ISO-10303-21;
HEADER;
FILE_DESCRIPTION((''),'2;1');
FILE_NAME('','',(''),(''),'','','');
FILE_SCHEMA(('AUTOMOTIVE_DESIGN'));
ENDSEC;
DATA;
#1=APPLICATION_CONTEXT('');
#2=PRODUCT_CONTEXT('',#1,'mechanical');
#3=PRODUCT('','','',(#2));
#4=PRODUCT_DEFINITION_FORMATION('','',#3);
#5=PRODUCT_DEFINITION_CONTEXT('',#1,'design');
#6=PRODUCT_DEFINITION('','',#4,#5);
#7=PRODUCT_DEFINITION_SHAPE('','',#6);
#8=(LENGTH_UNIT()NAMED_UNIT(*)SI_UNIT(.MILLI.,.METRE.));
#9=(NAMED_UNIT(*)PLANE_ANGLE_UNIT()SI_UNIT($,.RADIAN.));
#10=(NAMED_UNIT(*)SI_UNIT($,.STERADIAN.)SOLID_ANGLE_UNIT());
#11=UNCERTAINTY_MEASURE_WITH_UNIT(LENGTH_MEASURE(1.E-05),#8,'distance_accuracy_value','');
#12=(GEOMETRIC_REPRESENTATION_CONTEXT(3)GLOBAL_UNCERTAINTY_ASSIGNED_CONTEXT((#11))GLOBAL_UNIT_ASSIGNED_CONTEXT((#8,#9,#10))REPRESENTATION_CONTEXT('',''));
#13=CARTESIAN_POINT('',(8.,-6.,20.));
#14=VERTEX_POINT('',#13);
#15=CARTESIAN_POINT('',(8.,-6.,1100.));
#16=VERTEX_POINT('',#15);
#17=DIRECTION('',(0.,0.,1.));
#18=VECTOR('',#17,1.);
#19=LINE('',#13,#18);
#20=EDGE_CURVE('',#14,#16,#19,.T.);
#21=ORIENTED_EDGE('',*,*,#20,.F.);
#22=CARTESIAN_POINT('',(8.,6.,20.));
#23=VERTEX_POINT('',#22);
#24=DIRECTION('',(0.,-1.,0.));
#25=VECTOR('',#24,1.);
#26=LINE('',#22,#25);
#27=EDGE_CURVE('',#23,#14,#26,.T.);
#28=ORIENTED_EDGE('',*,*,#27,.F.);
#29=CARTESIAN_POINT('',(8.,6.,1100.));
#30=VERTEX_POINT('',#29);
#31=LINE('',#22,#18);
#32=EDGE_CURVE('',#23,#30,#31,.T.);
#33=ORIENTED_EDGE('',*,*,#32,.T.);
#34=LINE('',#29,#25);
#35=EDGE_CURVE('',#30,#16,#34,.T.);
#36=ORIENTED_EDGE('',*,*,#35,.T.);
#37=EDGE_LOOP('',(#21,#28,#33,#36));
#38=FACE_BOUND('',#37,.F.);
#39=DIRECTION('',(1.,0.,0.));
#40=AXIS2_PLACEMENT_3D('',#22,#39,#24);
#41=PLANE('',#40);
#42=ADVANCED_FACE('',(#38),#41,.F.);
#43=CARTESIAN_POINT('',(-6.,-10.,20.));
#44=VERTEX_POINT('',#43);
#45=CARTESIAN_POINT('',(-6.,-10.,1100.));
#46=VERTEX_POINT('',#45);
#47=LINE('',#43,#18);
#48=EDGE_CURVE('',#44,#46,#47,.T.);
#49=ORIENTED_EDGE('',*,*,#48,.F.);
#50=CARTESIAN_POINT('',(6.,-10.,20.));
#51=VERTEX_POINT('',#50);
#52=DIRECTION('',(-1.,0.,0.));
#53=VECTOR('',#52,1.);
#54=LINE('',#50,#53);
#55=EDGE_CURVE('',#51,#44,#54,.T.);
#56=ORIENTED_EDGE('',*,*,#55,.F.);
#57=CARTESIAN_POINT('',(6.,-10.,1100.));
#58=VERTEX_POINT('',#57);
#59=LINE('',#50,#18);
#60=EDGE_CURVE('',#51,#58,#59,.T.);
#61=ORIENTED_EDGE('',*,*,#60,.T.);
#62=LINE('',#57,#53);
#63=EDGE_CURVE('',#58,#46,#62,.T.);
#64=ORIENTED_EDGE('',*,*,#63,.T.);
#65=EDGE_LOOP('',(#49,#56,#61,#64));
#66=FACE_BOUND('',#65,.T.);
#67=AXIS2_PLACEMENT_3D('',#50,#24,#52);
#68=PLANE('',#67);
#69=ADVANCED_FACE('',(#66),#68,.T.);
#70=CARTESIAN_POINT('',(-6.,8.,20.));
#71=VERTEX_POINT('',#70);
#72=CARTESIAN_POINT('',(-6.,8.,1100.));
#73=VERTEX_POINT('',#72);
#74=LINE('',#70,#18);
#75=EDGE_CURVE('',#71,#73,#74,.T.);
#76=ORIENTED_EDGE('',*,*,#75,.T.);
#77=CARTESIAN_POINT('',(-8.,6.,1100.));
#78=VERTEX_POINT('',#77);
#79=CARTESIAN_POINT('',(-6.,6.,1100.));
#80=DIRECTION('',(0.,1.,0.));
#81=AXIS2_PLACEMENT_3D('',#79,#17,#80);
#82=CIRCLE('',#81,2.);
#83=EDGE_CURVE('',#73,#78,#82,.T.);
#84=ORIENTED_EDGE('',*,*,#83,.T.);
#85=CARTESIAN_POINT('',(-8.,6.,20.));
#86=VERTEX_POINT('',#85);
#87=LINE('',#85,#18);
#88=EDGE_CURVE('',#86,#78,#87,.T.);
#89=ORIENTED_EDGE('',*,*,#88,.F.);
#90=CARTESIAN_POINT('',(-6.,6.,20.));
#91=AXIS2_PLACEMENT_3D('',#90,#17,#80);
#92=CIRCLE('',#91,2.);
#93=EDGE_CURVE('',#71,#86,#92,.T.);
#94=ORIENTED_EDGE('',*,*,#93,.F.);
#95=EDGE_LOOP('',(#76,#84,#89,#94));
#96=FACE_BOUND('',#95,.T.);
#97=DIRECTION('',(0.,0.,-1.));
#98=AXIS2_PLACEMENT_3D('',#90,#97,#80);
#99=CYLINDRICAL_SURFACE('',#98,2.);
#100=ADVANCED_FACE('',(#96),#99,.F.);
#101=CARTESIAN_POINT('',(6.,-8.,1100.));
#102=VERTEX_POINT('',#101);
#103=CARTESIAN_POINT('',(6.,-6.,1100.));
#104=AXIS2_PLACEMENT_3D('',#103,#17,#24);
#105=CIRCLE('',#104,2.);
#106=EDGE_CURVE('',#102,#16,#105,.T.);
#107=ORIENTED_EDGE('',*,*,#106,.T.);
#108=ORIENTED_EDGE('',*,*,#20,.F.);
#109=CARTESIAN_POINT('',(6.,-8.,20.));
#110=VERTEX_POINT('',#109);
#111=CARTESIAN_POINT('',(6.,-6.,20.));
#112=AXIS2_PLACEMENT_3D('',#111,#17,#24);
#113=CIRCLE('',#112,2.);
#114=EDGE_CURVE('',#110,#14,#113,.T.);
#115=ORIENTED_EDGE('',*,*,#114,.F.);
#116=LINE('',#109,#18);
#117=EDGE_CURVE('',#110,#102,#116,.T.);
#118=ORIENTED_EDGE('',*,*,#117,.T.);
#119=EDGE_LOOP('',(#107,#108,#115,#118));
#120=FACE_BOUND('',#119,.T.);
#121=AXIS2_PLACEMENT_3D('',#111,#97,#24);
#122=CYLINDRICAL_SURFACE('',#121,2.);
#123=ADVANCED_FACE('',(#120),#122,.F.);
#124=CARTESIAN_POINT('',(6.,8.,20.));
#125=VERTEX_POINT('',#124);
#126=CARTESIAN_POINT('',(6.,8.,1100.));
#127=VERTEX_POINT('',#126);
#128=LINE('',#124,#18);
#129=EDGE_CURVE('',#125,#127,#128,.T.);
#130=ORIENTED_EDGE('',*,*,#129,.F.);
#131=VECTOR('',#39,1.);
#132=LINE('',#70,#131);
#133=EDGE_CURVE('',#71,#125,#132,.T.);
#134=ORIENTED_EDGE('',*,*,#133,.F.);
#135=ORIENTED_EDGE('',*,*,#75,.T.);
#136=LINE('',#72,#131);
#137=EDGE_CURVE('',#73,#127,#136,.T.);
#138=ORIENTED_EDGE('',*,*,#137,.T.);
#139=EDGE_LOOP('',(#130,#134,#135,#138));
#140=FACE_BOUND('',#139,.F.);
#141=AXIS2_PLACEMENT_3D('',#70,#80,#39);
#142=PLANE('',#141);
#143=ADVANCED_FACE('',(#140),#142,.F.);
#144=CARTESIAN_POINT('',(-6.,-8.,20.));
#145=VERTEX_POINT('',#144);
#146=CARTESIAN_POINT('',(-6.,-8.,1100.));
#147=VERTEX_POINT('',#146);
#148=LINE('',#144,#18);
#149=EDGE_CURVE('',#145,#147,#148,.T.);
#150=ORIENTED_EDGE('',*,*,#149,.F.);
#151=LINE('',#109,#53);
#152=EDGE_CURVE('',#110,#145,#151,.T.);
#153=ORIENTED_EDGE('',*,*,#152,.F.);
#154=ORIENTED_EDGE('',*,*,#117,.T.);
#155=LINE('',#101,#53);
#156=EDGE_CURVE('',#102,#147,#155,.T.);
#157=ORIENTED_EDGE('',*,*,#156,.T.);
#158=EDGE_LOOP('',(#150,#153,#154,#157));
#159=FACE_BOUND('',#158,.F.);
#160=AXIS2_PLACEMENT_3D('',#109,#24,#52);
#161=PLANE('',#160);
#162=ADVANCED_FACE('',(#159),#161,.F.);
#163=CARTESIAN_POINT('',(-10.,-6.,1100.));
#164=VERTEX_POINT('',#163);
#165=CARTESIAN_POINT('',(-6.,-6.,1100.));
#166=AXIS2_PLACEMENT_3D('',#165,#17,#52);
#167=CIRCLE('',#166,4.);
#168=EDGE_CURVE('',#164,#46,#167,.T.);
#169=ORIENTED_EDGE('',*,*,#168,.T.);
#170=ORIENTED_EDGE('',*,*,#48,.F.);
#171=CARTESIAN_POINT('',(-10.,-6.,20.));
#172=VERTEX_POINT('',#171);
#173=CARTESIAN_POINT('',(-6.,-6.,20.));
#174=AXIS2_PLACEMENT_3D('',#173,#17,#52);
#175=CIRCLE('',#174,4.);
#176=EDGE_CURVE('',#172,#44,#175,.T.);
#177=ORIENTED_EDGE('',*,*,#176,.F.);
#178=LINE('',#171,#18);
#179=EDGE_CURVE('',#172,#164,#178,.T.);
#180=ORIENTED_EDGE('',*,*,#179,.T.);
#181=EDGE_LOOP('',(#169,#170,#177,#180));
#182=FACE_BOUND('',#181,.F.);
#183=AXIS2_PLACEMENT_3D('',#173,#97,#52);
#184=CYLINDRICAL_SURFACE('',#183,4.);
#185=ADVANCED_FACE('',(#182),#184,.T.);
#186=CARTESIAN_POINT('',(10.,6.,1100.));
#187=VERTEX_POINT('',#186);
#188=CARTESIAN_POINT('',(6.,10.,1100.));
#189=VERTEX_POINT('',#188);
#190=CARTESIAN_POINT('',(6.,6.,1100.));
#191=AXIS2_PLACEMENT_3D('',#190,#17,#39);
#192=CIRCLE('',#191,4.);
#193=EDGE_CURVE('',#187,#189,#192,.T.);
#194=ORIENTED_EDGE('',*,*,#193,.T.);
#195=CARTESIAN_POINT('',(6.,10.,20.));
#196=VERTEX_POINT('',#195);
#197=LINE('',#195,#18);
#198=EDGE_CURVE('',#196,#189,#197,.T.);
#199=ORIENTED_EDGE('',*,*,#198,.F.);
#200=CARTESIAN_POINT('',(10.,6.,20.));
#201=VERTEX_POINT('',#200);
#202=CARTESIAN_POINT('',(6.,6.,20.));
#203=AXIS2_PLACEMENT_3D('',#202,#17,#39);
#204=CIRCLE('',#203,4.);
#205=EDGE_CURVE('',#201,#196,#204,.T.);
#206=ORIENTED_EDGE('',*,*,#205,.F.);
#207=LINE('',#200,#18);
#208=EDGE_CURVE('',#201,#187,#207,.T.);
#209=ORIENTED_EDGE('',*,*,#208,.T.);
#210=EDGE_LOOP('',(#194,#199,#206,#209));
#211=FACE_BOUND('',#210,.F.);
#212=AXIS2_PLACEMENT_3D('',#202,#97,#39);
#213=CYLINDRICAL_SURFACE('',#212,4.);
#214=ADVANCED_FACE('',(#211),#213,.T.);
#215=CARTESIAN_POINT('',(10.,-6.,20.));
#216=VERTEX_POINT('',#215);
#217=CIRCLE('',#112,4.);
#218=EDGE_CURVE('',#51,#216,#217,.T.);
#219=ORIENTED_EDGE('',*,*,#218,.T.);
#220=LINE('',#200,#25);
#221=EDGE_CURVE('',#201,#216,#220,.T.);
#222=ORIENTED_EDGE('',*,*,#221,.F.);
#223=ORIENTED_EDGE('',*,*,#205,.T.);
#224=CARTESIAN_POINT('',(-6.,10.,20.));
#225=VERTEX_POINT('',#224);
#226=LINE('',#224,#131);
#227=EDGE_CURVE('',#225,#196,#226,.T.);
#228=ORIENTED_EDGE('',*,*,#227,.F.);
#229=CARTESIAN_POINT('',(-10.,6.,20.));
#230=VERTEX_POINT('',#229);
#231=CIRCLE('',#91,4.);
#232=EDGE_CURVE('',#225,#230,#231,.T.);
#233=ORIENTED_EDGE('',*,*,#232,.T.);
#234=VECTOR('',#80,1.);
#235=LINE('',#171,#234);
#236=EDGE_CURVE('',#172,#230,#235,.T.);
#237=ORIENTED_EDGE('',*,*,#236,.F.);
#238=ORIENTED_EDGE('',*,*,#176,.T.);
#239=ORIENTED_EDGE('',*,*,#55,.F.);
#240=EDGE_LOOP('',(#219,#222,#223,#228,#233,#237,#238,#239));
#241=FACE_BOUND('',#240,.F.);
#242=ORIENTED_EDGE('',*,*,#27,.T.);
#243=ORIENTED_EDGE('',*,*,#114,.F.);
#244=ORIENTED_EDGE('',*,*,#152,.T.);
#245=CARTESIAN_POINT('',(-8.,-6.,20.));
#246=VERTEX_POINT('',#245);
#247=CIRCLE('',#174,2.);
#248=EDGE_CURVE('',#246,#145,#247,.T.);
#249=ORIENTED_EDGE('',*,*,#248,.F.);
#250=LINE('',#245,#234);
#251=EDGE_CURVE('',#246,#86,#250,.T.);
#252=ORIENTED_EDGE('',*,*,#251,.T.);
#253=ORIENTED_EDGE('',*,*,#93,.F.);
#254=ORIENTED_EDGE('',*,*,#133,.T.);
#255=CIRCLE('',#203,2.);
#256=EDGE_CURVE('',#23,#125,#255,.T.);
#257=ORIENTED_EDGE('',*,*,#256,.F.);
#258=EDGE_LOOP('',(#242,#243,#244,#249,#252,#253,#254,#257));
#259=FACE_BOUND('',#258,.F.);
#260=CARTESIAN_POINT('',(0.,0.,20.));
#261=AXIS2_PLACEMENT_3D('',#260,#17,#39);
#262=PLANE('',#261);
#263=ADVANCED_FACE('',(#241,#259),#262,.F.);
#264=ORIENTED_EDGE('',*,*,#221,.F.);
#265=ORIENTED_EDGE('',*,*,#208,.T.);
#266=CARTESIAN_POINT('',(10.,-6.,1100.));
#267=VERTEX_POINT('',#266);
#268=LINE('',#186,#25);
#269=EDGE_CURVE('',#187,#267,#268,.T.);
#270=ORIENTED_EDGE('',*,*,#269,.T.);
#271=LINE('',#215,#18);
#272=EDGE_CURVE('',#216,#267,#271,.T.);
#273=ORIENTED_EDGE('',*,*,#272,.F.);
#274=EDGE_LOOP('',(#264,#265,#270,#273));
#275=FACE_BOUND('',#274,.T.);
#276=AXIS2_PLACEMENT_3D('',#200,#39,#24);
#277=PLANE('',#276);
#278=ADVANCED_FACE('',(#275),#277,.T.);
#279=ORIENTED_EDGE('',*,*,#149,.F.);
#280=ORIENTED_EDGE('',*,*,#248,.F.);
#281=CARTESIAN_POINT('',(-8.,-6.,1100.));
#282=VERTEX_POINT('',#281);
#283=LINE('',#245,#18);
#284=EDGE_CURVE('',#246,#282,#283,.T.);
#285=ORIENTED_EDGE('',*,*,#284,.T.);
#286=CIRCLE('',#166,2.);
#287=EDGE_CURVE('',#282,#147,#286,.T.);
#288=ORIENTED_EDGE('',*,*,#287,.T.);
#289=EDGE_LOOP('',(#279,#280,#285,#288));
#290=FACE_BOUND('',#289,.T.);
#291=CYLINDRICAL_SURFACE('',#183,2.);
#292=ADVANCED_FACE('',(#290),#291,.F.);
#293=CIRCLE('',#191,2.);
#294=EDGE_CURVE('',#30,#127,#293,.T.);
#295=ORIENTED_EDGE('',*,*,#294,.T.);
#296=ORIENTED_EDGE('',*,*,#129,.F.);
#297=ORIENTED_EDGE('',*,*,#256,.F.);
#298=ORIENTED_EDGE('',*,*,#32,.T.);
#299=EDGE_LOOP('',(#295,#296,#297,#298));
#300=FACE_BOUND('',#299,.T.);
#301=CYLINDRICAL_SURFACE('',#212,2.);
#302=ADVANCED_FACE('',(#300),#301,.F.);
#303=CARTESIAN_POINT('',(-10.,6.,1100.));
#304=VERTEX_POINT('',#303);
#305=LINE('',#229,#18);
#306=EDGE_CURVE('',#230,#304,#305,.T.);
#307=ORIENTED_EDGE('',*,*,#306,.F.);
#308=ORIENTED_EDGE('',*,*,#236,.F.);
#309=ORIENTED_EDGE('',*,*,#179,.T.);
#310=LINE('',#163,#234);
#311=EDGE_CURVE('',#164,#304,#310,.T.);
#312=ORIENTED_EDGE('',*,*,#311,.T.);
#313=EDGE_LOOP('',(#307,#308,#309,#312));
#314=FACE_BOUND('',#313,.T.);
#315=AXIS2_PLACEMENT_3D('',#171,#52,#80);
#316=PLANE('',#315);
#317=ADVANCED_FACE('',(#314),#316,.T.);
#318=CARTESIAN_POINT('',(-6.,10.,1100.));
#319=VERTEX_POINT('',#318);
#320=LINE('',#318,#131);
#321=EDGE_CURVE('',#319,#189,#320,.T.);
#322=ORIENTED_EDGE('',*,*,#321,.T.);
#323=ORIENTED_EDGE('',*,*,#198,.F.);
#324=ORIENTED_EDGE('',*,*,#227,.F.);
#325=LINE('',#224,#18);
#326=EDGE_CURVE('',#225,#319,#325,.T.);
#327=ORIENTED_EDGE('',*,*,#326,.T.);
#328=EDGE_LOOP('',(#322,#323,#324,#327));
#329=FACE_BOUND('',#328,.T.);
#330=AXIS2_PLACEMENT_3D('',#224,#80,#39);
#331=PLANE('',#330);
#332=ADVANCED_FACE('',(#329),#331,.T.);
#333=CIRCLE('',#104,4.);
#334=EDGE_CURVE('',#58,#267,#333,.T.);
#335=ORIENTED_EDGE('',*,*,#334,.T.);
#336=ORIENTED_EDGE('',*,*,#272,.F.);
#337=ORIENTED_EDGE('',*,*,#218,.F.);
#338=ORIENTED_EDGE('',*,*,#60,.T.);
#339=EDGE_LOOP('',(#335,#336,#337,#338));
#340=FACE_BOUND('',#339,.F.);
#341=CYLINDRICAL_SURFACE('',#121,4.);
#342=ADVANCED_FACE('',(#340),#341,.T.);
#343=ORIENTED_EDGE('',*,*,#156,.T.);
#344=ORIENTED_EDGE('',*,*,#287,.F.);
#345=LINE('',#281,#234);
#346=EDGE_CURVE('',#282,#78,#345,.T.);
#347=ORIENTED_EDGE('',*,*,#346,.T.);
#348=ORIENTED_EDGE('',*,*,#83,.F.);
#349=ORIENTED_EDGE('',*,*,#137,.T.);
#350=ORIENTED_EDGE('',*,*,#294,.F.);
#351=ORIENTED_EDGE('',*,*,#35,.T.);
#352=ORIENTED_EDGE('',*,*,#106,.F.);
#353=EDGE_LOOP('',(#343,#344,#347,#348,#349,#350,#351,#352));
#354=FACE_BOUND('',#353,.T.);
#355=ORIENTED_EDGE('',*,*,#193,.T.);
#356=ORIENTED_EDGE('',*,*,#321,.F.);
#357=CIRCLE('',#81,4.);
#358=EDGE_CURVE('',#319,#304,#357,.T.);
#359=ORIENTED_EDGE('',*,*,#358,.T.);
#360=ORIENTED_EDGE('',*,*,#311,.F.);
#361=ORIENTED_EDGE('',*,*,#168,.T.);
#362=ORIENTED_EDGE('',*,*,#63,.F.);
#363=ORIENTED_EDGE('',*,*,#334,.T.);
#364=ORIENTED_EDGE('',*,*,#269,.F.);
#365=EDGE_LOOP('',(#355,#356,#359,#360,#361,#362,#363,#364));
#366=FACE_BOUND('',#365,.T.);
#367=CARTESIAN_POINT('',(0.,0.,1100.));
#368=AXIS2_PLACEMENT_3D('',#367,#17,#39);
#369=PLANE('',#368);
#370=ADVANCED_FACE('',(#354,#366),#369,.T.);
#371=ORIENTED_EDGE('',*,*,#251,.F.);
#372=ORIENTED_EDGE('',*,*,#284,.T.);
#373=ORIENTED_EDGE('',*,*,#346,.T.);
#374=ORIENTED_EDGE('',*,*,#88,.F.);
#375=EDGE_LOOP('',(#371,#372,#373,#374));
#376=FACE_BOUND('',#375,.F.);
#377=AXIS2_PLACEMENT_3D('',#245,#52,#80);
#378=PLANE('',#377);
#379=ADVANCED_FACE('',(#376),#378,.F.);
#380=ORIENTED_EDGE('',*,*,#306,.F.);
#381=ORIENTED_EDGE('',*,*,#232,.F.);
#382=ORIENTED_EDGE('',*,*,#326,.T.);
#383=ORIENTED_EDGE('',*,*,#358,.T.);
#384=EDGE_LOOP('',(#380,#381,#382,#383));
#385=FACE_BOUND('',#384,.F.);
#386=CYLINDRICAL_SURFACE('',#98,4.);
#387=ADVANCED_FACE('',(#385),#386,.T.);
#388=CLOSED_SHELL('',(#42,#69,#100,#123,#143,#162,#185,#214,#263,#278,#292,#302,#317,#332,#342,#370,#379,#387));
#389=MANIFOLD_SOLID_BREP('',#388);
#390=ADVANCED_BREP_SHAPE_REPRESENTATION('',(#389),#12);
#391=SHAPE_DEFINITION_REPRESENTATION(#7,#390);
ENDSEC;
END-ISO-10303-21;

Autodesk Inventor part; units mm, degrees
ref_plane "Start plane" through (0, 0, 20) normal (0, 0, 1) x (1, 0, 0)
ref_plane "End plane" through (0, 0, 1100) normal (0, 0, 1) x (1, 0, 0)
sketch "Sketch" plane through (0, 0, 0) normal (0, 0, 1) x (1, 0, 0)
  line L0 (-10, -6) -> (-10, 6)
  line L1 (-6, 10) -> (6, 10)
  line L2 (10, 6) -> (10, -6)
  line L3 (6, -10) -> (-6, -10)
  arc A0 (-10, -6) -> (-6, -10) centre (-6, -6) ccw
  arc A1 (10, 6) -> (6, 10) centre (6, 6) ccw
  arc A2 (-6, 10) -> (-10, 6) centre (-6, 6) ccw
  arc A3 (6, -10) -> (10, -6) centre (6, -6) ccw
  arc A4 (-6, 8) -> (-8, 6) centre (-6, 6) ccw
  line L4 (-6, 8) -> (6, 8)
  arc A5 (8, 6) -> (6, 8) centre (6, 6) ccw
  line L5 (8, 6) -> (8, -6)
  arc A6 (6, -8) -> (8, -6) centre (6, -6) ccw
  line L6 (6, -8) -> (-6, -8)
  arc A7 (-8, -6) -> (-6, -8) centre (-6, -6) ccw
  line L7 (-8, -6) -> (-8, 6)
  line L8 (0, 15.1598) -> (0, -15.1598) construction
  line L9 (-15.1598, 0) -> (15.1598, 0) construction
  dimension "d7" = 4
  dimension "d9" = 20
  dimension "d11" = 20
  dimension "d12" = 2
  dimension "d15" = 10
  dimension "d16" = 10
extrude "Body" add sketch "Sketch" along normal up to surface (1080 mm away) from surface at 20
sketch "Sketch3" plane through (0, 0, 0) normal (0, 0, 1) x (1, 0, 0)
  line L0 (0, 0) -> (10, 0)
ref_plane "Work Plane3" through (0, 0, 0) normal (0, -1, 0) x (1, 0, 0)
sketch "Sketch4" plane through (0, 0, 0) normal (0, -1, 0) x (1, 0, 0)
  line L0 (-2, 20) -> (12, 20)
  line L1 (-2, 1100) -> (12, 1100)
  dimension "d18" = 1080
ref_plane "Work Plane4" through (290, 0, 20) normal (0, 0, -1) x (-1, 0, 0)
split "Split1" plane through (290, 0, 20) removes the side toward (0, 0, -1)
equation "\"d7\" = G_IR"
equation "\"d9\" = G_W"
equation "\"d11\" = G_H"
equation "\"d12\" = G_T"
equation "\"d15\" = 0.5 * d9"
equation "\"d16\" = 0.5 * d11"
equation "\"d3\" = G_L"
equation "\"G_W\" = 20"
equation "\"G_H\" = 20"
equation "\"G_T\" = 2"
equation "\"G_IR\" = 4"
equation "\"G_L\" = d18"
equation "\"G_OFFSET_END\" = 0"
properties part number "ISO 4019 - 20x20x2 - 1080" material "Steel, Mild"
